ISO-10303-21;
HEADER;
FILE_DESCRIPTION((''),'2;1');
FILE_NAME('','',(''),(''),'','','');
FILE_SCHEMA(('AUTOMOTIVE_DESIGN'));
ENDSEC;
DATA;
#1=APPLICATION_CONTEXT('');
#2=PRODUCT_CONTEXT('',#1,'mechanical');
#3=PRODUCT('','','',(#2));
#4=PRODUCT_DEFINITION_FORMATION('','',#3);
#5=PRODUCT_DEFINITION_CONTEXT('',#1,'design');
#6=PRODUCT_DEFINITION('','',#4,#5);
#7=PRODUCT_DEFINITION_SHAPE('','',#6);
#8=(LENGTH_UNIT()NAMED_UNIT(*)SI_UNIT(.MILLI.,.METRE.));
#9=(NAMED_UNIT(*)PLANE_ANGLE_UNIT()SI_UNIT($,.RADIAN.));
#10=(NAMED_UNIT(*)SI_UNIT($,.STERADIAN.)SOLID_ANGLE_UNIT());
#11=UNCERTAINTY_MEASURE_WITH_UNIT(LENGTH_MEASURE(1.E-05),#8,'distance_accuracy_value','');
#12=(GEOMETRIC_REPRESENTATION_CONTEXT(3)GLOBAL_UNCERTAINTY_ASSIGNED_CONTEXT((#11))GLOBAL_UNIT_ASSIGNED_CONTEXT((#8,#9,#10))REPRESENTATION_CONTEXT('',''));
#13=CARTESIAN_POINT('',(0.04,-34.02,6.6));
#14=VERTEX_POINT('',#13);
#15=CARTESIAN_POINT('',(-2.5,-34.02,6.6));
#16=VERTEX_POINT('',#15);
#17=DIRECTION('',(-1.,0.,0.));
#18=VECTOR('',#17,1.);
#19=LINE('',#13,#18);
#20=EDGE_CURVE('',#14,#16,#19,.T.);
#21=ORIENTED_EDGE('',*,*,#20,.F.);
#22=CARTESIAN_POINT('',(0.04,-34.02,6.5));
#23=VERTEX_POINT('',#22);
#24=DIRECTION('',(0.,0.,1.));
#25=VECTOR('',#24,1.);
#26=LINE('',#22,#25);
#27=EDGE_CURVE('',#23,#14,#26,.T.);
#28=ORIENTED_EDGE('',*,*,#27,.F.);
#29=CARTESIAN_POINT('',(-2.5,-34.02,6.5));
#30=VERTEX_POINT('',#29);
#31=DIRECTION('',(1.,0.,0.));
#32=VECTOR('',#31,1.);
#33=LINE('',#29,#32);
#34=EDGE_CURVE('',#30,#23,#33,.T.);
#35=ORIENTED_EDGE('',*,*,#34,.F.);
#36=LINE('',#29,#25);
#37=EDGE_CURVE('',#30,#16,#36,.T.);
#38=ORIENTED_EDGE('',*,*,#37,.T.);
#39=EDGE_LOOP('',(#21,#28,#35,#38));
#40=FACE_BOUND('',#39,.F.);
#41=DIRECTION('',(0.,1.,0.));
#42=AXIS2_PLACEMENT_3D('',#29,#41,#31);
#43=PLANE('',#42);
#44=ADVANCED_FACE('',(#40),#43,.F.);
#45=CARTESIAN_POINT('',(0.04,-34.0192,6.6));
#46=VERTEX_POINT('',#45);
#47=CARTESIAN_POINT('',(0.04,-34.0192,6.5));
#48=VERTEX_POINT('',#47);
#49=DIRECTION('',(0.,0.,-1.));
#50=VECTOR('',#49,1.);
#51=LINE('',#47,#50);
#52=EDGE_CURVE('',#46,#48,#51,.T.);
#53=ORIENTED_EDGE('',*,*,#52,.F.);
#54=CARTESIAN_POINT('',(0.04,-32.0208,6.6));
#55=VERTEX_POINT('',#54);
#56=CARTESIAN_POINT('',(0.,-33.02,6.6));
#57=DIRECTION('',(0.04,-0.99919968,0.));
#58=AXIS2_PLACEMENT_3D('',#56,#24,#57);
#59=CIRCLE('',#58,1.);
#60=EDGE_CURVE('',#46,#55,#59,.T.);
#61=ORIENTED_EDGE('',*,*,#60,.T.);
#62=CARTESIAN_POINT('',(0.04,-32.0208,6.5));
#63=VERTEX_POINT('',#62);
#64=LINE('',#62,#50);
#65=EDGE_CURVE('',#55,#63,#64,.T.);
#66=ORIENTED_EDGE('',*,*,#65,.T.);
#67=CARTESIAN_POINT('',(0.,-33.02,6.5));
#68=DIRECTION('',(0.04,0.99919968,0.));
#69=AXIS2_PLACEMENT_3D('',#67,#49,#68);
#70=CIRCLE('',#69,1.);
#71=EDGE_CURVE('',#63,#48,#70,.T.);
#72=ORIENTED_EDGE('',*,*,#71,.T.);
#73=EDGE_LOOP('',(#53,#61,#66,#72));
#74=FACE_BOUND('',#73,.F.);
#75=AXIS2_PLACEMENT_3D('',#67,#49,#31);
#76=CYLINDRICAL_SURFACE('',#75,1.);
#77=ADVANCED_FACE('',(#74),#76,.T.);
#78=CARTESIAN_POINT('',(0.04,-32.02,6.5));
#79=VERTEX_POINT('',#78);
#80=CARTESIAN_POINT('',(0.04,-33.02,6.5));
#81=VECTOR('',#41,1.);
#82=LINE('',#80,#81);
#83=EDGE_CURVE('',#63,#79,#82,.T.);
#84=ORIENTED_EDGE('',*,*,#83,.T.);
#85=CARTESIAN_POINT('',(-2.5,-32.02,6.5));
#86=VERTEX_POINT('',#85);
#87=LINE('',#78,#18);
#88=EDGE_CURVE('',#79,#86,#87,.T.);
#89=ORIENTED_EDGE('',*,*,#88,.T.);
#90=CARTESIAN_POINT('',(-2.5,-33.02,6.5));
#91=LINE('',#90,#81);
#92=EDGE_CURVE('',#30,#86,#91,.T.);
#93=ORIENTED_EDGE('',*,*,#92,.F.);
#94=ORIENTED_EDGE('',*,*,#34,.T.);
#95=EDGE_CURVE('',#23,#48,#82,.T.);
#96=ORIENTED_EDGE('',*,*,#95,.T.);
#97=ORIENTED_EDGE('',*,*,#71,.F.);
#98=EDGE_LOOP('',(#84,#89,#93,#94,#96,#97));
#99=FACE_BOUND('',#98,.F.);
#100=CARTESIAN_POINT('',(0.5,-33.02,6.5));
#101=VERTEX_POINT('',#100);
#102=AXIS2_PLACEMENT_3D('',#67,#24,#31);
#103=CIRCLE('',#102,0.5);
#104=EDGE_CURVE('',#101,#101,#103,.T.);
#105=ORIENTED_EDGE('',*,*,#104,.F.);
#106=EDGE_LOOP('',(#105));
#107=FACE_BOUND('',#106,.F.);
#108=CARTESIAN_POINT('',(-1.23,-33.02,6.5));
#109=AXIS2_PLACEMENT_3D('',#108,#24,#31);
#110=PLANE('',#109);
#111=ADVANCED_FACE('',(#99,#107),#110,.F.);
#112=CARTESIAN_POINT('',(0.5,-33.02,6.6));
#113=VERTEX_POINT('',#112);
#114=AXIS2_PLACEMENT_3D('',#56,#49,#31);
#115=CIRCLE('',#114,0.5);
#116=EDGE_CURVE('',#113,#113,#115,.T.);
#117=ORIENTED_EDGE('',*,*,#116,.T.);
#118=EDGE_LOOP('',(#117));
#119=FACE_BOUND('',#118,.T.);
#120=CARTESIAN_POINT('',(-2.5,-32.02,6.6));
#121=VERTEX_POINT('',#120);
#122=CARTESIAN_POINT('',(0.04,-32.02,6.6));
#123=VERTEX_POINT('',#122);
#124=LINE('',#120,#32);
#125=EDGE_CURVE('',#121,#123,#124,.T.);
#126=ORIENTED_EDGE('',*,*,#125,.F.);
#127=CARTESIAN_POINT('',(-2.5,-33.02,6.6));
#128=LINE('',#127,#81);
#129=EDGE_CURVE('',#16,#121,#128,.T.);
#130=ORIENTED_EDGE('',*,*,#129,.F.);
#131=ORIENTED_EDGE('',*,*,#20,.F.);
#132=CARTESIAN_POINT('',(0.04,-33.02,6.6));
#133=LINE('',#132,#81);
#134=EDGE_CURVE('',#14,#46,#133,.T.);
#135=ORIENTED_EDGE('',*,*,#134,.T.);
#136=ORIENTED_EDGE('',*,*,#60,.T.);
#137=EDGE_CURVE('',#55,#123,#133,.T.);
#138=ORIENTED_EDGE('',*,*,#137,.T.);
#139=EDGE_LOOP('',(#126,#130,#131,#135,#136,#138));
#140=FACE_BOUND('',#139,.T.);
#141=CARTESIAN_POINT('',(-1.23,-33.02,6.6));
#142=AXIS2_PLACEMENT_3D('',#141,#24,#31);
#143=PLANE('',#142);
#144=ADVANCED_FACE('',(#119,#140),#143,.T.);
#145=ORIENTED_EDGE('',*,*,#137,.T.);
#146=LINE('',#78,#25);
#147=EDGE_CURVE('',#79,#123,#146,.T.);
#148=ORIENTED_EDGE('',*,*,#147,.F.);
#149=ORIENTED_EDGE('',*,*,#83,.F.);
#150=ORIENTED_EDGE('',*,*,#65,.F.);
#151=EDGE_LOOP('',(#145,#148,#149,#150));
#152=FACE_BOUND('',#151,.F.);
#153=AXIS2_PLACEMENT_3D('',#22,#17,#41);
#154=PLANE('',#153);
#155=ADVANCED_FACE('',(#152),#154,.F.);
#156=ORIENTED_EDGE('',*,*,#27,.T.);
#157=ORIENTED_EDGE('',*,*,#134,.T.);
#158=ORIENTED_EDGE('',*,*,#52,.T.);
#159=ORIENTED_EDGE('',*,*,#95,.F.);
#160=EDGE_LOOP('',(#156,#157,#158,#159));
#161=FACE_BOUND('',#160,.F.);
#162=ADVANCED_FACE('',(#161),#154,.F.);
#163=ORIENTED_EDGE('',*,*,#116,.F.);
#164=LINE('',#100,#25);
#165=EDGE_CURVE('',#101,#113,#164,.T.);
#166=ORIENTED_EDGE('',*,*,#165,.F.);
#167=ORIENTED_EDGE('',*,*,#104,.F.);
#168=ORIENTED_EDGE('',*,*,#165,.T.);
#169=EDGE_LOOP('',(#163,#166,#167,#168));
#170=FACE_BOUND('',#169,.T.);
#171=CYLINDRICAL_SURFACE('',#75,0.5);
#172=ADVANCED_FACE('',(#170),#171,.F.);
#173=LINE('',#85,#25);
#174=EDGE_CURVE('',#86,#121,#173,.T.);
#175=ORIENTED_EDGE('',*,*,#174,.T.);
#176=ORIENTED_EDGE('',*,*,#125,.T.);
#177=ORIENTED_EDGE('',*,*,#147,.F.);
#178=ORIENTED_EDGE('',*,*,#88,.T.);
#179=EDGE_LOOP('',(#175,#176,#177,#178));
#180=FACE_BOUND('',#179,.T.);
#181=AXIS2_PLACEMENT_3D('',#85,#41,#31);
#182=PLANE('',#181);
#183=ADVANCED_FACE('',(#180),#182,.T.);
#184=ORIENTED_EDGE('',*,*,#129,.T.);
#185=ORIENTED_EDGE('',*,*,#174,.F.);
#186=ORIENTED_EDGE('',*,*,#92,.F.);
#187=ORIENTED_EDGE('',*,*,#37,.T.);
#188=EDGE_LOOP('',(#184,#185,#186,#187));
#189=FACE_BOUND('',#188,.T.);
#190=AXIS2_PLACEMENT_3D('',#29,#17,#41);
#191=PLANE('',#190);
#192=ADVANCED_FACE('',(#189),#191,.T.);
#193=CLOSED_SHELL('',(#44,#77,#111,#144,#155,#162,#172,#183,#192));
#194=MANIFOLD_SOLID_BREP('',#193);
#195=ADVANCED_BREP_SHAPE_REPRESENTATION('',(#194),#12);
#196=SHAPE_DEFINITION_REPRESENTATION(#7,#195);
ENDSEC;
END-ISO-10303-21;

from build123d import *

# Parameters (mm, degrees)
CYLINDER041_R     = 0.5
CYLINDER041_DEPTH = 0.1
BOX016_W          = 2.54
BOX016_H          = 2
BOX016_DEPTH      = 0.1
CYLINDER040_R     = 0.5
CYLINDER040_DEPTH = 0.1
CYLINDER039_R     = 1
CYLINDER039_DEPTH = 0.1


with BuildPart() as cylinder041:
    # Cylinder041 → Cylinder041 (new body)
    with BuildSketch(Plane.XY.offset(1)):
        Circle(CYLINDER041_R)
    extrude(amount=CYLINDER041_DEPTH)


with BuildPart() as cut028:
    # Box016 → Box016 (new body)
    with BuildSketch(Plane(origin=(-2.5, -1, 1), x_dir=(1, 0, 0), z_dir=(0, 0, 1))):
        with Locations((1.27, 1)):
            Rectangle(BOX016_W, BOX016_H)
    extrude(amount=BOX016_DEPTH)

    # Cut028: cut Cylinder041
    add(cylinder041.part, mode=Mode.SUBTRACT)


with BuildPart() as cylinder040:
    # Cylinder040 → Cylinder040 (new body)
    with BuildSketch(Plane.XY.offset(1)):
        Circle(CYLINDER040_R)
    extrude(amount=CYLINDER040_DEPTH)


with BuildPart() as fusion013:
    # Cylinder039 → Cylinder039 (new body)
    with BuildSketch(Plane.XY.offset(1)):
        Circle(CYLINDER039_R)
    extrude(amount=CYLINDER039_DEPTH)

    # Cut027: cut Cylinder040
    add(cylinder040.part, mode=Mode.SUBTRACT)

    # Fusion013: union Cut028
    add(cut028.part)


with BuildPart() as fusion013_1:
    # Fusion013 placement: moved
    add(fusion013.part.moved(Location((0, -33.02, 5.5))))


solid = fusion013_1.part
